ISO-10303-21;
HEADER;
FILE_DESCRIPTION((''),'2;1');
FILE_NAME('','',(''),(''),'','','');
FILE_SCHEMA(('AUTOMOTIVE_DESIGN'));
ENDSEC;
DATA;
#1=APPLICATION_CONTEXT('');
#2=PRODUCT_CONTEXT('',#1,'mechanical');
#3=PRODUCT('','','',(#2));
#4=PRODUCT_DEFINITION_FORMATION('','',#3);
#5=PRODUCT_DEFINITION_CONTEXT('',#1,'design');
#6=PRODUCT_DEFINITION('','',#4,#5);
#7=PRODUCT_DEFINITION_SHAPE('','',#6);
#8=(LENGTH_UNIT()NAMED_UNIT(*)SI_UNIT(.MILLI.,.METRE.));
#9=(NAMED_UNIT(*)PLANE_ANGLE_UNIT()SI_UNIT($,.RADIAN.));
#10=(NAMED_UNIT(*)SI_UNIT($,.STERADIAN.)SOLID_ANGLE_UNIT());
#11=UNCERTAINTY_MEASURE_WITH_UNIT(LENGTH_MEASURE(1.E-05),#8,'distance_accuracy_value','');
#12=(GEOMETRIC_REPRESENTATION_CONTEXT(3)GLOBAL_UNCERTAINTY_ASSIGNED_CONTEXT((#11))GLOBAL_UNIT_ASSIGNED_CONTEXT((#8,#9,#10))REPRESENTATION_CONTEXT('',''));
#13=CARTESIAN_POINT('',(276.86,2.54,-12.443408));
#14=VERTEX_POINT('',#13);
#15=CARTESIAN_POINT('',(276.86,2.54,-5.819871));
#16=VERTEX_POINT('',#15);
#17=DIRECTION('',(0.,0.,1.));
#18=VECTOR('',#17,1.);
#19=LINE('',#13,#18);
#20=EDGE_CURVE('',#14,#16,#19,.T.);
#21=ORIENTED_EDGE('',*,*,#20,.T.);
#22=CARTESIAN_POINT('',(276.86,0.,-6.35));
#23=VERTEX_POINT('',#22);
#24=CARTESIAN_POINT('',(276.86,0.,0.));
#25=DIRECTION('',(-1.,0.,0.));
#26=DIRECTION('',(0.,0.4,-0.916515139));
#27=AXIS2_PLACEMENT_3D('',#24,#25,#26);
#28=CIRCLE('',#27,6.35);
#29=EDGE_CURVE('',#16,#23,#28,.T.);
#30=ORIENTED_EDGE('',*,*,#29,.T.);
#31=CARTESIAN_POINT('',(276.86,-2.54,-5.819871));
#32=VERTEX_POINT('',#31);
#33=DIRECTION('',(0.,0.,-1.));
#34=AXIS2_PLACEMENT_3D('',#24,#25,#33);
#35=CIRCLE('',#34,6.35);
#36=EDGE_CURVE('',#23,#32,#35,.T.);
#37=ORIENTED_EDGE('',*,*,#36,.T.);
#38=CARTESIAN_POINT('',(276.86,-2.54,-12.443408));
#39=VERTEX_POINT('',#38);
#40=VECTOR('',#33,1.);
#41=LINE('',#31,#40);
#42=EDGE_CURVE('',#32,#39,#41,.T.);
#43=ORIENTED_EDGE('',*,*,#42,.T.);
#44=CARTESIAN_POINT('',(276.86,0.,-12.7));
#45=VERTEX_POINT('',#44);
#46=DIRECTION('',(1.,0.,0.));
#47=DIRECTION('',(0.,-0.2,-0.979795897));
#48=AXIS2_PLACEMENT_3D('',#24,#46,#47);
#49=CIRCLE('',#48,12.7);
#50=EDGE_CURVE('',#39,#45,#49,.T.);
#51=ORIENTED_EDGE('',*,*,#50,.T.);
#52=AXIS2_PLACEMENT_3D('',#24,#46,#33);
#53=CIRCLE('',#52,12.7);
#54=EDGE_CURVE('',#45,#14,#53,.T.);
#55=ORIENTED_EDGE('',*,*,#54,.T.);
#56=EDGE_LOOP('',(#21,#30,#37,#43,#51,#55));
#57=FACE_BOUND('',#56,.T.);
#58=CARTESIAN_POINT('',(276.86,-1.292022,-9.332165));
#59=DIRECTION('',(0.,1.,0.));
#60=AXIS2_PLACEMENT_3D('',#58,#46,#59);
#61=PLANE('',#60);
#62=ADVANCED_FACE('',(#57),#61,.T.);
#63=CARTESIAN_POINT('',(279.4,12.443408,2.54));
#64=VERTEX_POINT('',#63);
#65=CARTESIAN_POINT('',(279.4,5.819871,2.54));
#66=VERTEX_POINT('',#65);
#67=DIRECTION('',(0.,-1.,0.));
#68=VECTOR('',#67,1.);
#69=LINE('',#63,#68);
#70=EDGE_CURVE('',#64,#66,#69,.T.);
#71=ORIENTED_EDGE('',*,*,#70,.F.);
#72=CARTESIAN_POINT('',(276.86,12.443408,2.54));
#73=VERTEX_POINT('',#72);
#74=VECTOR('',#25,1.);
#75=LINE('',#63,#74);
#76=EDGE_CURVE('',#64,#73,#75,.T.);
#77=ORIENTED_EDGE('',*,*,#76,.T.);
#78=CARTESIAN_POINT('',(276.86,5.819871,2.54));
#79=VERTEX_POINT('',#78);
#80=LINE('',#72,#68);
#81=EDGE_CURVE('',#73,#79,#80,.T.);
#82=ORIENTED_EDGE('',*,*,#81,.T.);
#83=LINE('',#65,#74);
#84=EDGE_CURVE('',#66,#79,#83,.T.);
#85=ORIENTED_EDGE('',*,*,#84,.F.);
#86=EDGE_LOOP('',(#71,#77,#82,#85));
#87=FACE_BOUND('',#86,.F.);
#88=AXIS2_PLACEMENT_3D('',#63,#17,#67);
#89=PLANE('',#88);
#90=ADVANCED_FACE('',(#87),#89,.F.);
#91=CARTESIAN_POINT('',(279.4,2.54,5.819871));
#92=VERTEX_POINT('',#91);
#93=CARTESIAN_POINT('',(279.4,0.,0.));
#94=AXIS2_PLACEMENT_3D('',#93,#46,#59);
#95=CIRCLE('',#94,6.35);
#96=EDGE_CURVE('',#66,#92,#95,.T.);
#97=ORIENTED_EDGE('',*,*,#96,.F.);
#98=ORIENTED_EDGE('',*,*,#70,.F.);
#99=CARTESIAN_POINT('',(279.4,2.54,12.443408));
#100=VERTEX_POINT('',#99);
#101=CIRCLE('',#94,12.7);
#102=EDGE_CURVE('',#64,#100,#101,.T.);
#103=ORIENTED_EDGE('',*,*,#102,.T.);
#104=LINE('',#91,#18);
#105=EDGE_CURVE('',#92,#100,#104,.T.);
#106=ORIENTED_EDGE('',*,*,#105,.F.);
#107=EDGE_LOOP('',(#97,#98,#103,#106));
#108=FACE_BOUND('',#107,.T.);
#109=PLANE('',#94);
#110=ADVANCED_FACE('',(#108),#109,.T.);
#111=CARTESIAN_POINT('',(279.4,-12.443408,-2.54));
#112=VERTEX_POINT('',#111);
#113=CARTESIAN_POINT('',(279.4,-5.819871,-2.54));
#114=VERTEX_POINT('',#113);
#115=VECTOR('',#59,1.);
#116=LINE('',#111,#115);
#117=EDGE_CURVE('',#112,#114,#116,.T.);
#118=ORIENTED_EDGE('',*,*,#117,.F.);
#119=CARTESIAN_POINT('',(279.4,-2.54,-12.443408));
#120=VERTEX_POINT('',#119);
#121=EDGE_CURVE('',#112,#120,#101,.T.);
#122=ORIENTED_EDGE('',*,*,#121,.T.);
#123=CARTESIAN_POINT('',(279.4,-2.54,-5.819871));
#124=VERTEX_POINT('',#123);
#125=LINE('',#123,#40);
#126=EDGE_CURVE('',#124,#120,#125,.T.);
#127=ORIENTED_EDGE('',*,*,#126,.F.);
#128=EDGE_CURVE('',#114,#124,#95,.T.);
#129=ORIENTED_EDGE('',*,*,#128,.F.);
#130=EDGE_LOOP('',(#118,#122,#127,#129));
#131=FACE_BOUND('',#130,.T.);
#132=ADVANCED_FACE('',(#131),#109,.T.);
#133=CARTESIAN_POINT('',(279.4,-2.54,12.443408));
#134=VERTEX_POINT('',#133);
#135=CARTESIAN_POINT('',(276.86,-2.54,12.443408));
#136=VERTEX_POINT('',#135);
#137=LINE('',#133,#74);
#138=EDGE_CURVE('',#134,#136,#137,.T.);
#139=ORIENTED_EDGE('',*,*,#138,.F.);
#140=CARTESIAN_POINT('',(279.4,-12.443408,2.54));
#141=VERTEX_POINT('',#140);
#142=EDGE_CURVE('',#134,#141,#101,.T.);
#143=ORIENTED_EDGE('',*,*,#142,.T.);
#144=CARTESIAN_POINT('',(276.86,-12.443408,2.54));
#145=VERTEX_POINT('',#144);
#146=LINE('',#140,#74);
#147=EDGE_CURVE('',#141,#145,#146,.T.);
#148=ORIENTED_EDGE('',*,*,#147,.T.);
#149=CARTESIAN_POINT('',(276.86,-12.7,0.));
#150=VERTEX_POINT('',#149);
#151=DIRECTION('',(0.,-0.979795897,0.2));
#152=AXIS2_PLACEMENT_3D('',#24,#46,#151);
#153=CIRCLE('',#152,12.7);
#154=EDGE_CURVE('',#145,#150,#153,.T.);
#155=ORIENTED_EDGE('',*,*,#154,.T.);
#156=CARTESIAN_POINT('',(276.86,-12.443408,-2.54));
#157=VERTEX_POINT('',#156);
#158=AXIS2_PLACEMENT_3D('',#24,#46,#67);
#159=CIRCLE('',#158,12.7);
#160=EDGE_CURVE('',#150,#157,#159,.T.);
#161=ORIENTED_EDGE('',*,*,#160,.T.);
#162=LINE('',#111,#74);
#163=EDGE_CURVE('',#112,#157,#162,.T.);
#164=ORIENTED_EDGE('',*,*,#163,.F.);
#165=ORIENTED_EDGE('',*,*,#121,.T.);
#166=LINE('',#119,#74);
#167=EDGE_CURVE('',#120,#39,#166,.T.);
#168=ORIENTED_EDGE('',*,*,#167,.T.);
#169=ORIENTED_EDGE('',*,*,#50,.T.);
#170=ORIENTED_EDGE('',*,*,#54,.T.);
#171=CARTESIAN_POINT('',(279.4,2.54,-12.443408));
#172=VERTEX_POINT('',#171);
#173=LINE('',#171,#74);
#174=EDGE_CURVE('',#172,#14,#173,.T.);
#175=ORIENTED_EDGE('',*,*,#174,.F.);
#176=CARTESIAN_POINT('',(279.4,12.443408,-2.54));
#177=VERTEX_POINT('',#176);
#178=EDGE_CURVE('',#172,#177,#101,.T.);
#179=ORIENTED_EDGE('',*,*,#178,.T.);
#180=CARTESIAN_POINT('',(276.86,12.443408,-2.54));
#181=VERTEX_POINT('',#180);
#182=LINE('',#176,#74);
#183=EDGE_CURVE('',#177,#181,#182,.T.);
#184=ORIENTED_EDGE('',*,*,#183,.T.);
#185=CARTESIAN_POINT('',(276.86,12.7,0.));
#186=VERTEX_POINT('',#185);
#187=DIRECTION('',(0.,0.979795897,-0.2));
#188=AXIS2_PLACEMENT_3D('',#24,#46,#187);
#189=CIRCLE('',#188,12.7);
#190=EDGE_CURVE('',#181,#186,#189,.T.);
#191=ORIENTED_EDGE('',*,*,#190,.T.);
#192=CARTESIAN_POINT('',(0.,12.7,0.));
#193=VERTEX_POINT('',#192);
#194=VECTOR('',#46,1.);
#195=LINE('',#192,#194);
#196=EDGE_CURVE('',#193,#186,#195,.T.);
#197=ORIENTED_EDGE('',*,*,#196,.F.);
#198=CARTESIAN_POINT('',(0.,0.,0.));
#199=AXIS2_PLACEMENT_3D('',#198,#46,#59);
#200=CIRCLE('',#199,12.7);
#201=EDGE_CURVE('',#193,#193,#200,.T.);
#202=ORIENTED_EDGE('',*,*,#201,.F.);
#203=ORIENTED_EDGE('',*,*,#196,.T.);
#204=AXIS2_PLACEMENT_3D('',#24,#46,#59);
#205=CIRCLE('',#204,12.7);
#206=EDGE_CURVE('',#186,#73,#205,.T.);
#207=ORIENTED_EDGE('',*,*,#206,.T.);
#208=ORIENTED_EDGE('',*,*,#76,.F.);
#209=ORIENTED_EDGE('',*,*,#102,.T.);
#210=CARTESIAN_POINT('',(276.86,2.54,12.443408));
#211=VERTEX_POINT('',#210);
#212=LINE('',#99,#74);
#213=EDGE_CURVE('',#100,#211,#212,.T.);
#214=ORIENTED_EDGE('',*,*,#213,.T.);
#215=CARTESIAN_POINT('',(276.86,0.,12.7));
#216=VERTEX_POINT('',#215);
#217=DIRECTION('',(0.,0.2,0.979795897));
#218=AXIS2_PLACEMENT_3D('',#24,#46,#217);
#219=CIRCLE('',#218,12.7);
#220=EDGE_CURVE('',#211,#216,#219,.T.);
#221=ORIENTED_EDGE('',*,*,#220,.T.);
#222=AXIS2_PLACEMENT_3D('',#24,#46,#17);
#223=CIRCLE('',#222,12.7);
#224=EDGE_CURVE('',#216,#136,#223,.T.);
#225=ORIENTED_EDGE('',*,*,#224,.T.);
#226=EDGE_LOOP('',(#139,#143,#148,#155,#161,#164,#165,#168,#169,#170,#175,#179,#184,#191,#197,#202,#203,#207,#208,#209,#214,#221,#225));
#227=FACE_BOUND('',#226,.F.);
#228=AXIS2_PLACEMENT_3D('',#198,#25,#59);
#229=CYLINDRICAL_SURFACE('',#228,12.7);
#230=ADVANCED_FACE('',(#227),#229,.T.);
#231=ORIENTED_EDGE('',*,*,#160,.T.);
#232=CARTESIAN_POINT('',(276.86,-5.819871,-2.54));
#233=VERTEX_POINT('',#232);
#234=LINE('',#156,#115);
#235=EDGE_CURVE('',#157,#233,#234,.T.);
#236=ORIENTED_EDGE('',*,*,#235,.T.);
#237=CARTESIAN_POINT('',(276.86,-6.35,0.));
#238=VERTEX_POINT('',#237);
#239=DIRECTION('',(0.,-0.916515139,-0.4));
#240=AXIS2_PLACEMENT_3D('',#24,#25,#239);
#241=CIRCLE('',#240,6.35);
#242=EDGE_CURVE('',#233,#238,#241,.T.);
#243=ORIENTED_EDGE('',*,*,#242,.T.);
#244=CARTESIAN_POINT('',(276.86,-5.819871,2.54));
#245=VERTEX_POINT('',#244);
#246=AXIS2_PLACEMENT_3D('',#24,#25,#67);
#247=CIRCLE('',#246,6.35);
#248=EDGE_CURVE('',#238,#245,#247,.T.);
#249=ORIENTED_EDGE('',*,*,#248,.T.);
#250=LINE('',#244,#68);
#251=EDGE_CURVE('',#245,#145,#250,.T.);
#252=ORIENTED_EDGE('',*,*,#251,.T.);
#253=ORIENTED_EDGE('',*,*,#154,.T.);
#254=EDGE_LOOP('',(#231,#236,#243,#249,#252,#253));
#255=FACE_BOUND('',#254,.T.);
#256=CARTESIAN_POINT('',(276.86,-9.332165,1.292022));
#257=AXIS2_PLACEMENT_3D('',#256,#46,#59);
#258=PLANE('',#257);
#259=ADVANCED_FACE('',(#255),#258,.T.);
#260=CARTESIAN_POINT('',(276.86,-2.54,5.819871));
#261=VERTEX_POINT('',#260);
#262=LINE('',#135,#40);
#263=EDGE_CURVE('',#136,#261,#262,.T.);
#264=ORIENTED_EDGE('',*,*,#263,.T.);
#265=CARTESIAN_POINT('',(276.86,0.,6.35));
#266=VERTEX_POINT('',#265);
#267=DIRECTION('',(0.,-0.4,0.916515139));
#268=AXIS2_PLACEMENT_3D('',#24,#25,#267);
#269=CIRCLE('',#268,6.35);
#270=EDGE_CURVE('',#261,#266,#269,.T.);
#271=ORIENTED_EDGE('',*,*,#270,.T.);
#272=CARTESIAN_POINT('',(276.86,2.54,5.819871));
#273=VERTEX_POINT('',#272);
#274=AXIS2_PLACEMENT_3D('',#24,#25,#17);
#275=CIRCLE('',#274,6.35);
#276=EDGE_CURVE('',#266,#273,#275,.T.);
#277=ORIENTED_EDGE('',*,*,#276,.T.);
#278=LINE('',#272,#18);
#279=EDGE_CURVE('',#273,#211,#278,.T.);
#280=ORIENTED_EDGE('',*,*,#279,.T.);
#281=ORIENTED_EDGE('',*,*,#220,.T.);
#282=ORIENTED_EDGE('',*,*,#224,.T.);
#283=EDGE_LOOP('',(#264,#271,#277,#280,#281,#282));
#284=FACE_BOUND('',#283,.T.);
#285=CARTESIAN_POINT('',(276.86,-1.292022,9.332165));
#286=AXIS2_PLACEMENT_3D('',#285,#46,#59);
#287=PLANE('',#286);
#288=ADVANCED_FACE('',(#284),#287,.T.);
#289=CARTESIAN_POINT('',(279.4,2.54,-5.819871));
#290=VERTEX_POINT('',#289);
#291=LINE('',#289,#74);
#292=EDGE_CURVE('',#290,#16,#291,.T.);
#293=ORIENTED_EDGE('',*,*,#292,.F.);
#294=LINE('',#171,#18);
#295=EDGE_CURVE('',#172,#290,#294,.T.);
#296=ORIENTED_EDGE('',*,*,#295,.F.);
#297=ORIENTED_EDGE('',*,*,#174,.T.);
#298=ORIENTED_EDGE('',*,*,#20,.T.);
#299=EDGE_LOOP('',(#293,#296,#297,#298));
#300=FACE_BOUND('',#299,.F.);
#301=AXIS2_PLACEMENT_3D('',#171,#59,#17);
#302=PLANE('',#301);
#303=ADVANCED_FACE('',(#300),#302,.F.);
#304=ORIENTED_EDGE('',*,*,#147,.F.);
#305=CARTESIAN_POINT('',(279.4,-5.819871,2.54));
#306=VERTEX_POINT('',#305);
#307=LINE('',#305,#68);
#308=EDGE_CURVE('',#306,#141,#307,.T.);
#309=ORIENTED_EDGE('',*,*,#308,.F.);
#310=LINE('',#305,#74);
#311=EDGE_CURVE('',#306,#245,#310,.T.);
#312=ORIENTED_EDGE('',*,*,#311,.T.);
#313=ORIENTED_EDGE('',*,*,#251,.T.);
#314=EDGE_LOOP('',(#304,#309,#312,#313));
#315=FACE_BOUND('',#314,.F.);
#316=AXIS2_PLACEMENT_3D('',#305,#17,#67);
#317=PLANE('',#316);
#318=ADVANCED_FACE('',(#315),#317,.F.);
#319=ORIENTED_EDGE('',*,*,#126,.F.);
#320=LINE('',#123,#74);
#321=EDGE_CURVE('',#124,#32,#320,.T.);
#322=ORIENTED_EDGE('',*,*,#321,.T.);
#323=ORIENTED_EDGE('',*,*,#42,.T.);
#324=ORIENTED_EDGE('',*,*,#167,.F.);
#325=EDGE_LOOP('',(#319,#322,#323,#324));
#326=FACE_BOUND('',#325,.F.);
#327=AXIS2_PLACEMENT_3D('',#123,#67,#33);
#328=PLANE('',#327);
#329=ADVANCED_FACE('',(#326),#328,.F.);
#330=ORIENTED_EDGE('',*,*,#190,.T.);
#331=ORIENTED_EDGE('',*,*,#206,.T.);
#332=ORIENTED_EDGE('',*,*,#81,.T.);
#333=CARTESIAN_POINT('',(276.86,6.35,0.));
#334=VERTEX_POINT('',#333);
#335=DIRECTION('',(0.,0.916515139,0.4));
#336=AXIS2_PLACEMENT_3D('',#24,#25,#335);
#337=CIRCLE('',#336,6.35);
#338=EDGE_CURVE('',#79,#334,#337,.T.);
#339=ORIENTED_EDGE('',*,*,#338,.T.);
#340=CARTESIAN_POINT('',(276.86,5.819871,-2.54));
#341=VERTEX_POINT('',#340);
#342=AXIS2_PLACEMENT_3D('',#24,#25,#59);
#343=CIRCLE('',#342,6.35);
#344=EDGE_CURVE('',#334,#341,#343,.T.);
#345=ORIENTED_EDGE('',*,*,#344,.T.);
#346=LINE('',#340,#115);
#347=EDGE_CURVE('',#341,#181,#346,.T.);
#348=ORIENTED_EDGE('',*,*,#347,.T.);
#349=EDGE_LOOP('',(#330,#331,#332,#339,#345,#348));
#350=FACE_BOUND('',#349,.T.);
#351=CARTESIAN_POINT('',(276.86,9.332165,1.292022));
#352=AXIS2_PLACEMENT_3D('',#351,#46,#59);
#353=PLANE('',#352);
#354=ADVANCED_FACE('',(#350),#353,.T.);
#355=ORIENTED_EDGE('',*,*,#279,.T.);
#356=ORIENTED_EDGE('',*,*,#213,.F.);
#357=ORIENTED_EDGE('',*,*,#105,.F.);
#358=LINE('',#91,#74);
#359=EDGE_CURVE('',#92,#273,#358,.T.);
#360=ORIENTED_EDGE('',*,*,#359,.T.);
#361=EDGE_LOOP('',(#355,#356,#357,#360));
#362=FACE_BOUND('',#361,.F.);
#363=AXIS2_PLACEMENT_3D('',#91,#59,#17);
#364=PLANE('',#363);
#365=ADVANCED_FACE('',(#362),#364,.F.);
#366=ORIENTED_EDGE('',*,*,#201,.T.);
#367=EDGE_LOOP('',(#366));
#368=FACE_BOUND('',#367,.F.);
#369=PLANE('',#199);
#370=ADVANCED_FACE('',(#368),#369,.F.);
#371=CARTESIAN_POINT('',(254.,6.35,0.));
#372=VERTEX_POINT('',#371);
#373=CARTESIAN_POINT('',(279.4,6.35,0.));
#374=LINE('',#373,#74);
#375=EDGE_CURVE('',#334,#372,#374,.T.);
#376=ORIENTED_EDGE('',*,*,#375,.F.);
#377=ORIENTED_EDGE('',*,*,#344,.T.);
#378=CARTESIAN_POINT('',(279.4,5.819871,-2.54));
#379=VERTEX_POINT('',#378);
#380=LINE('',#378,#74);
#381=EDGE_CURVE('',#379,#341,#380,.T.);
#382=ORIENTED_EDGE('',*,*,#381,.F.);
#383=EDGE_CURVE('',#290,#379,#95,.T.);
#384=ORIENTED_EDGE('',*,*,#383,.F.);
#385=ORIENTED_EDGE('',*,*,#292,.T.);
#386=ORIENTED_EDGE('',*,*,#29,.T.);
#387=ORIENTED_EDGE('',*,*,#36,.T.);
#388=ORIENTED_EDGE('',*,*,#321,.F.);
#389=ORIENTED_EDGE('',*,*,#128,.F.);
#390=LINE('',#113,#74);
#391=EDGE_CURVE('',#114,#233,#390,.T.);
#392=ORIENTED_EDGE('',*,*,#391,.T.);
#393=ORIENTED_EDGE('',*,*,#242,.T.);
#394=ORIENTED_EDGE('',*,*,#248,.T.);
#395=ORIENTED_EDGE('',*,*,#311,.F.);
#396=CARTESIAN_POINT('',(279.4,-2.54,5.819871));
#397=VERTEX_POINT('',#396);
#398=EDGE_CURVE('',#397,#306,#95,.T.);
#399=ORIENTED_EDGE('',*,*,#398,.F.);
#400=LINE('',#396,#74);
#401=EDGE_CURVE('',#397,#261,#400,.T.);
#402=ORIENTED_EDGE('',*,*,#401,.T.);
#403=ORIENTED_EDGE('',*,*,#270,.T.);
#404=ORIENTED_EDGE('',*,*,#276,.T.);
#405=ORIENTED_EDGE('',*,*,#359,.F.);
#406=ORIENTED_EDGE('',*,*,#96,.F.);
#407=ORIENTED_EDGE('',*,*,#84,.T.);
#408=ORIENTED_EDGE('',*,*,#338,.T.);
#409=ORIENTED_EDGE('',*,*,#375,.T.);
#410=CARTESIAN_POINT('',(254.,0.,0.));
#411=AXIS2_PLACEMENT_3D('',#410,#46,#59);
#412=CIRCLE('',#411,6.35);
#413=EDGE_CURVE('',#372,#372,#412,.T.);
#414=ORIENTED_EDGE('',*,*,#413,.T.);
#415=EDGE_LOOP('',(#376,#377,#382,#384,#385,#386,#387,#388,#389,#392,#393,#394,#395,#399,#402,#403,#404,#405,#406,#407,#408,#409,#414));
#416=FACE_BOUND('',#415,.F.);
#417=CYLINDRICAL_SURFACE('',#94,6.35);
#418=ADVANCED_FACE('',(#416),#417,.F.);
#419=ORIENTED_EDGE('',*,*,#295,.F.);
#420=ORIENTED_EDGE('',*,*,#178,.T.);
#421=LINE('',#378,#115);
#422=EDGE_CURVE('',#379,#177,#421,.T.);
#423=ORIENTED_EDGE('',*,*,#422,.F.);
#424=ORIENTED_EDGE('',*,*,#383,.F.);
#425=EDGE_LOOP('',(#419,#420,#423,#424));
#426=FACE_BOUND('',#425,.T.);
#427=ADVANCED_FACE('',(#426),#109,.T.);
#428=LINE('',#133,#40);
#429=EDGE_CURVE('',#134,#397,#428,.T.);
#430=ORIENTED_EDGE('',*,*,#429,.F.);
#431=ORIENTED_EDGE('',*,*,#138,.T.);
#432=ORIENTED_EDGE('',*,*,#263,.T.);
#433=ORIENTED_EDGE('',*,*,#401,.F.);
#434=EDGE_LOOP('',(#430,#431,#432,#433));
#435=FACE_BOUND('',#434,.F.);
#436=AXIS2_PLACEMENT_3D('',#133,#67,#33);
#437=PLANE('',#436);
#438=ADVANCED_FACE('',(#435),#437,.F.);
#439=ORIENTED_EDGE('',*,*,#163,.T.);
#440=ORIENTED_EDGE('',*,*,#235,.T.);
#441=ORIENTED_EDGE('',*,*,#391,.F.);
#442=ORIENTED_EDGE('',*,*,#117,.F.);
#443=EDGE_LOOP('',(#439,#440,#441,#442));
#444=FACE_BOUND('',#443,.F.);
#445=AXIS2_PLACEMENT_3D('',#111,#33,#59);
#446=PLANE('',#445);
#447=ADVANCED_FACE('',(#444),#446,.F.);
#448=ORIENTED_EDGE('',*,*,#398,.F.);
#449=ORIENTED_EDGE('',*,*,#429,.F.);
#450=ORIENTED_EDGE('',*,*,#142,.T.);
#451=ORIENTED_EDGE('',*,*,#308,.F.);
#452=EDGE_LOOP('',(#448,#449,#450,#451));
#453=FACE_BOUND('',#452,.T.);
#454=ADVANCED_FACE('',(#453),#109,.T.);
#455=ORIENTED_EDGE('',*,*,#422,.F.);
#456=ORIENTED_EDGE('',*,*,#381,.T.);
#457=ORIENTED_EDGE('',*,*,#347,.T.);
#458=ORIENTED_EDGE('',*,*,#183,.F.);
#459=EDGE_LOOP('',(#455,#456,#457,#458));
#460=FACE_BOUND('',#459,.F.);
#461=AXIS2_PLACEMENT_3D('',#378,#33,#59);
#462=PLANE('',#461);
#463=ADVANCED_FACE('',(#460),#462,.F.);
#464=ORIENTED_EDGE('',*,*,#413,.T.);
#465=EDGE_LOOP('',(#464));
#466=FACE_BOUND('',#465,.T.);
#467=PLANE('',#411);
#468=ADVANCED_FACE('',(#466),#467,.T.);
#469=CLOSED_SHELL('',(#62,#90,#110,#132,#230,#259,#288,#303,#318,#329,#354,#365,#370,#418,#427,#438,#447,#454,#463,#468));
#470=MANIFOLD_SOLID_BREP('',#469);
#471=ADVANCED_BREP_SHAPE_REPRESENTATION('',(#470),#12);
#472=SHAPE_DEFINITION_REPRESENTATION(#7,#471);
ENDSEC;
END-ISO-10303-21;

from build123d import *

# Parameters (mm, degrees)
F0_R     = 12.7
F1_DEPTH = 279.4
F2_R     = 6.35
F3_DEPTH = 25.4
F5_DEPTH = 2.54


with BuildPart() as f1:
    # F0 (on Right) → F1 (new body)
    with BuildSketch(Plane.YZ):
        Circle(F0_R)
    extrude(amount=F1_DEPTH)

    # F2 (on face) → F3 (cut)
    with BuildSketch(Plane.YZ.offset(279.4)):
        Circle(F2_R)
    extrude(amount=-F3_DEPTH, mode=Mode.SUBTRACT)

    # F4 (on face) → F5 (cut)
    with BuildSketch(Plane.YZ.offset(279.4)):
        with BuildLine():
            Line((-12.7, 0), (-6.35, 0))
            ThreePointArc((-6.35, 0), (-6.2160550871, 1.2973662374), (-5.8198711326, 2.54))
            Line((-5.8198711326, 2.54), (-12.4434078933, 2.54))
            ThreePointArc((-12.4434078933, 2.54), (-12.6356891432, 1.2764638175), (-12.7, 0))
        make_face()
        with BuildLine():
            ThreePointArc((-2.54, 5.8198711326), (-1.2973662374, 6.2160550871), (0, 6.35))
            Line((0, 6.35), (0, 12.7))
            ThreePointArc((0, 12.7), (-1.2764638175, 12.6356891432), (-2.54, 12.4434078933))
            Line((-2.54, 12.4434078933), (-2.54, 5.8198711326))
        make_face()
        with BuildLine():
            ThreePointArc((0, 6.35), (1.2973662374, 6.2160550871), (2.54, 5.8198711326))
            Line((2.54, 5.8198711326), (2.54, 12.4434078933))
            ThreePointArc((2.54, 12.4434078933), (1.2764638175, 12.6356891432), (0, 12.7))
            Line((0, 12.7), (0, 6.35))
        make_face()
        with BuildLine():
            ThreePointArc((5.8198711326, 2.54), (6.2160550871, 1.2973662374), (6.35, 0))
            Line((6.35, 0), (12.7, 0))
            ThreePointArc((12.7, 0), (12.6356891432, 1.2764638175), (12.4434078933, 2.54))
            Line((12.4434078933, 2.54), (5.8198711326, 2.54))
        make_face()
        with BuildLine():
            Line((12.7, 0), (6.35, 0))
            ThreePointArc((6.35, 0), (6.2160550871, -1.2973662374), (5.8198711326, -2.54))
            Line((5.8198711326, -2.54), (12.4434078933, -2.54))
            ThreePointArc((12.4434078933, -2.54), (12.6356891432, -1.2764638175), (12.7, 0))
        make_face()
        with BuildLine():
            ThreePointArc((-5.8198711326, -2.54), (-6.2160550871, -1.2973662374), (-6.35, 0))
            Line((-6.35, 0), (-12.7, 0))
            ThreePointArc((-12.7, 0), (-12.6356891432, -1.2764638175), (-12.4434078933, -2.54))
            Line((-12.4434078933, -2.54), (-5.8198711326, -2.54))
        make_face()
        with BuildLine():
            Line((0, -12.7), (0, -6.35))
            ThreePointArc((0, -6.35), (-1.2973662374, -6.2160550871), (-2.54, -5.8198711326))
            Line((-2.54, -5.8198711326), (-2.54, -12.4434078933))
            ThreePointArc((-2.54, -12.4434078933), (-1.2764638175, -12.6356891432), (0, -12.7))
        make_face()
        with BuildLine():
            Line((2.54, -12.4434078933), (2.54, -5.8198711326))
            ThreePointArc((2.54, -5.8198711326), (1.2973662374, -6.2160550871), (0, -6.35))
            Line((0, -6.35), (0, -12.7))
            ThreePointArc((0, -12.7), (1.2764638175, -12.6356891432), (2.54, -12.4434078933))
        make_face()
    extrude(amount=-F5_DEPTH, mode=Mode.SUBTRACT)


solid = f1.part
